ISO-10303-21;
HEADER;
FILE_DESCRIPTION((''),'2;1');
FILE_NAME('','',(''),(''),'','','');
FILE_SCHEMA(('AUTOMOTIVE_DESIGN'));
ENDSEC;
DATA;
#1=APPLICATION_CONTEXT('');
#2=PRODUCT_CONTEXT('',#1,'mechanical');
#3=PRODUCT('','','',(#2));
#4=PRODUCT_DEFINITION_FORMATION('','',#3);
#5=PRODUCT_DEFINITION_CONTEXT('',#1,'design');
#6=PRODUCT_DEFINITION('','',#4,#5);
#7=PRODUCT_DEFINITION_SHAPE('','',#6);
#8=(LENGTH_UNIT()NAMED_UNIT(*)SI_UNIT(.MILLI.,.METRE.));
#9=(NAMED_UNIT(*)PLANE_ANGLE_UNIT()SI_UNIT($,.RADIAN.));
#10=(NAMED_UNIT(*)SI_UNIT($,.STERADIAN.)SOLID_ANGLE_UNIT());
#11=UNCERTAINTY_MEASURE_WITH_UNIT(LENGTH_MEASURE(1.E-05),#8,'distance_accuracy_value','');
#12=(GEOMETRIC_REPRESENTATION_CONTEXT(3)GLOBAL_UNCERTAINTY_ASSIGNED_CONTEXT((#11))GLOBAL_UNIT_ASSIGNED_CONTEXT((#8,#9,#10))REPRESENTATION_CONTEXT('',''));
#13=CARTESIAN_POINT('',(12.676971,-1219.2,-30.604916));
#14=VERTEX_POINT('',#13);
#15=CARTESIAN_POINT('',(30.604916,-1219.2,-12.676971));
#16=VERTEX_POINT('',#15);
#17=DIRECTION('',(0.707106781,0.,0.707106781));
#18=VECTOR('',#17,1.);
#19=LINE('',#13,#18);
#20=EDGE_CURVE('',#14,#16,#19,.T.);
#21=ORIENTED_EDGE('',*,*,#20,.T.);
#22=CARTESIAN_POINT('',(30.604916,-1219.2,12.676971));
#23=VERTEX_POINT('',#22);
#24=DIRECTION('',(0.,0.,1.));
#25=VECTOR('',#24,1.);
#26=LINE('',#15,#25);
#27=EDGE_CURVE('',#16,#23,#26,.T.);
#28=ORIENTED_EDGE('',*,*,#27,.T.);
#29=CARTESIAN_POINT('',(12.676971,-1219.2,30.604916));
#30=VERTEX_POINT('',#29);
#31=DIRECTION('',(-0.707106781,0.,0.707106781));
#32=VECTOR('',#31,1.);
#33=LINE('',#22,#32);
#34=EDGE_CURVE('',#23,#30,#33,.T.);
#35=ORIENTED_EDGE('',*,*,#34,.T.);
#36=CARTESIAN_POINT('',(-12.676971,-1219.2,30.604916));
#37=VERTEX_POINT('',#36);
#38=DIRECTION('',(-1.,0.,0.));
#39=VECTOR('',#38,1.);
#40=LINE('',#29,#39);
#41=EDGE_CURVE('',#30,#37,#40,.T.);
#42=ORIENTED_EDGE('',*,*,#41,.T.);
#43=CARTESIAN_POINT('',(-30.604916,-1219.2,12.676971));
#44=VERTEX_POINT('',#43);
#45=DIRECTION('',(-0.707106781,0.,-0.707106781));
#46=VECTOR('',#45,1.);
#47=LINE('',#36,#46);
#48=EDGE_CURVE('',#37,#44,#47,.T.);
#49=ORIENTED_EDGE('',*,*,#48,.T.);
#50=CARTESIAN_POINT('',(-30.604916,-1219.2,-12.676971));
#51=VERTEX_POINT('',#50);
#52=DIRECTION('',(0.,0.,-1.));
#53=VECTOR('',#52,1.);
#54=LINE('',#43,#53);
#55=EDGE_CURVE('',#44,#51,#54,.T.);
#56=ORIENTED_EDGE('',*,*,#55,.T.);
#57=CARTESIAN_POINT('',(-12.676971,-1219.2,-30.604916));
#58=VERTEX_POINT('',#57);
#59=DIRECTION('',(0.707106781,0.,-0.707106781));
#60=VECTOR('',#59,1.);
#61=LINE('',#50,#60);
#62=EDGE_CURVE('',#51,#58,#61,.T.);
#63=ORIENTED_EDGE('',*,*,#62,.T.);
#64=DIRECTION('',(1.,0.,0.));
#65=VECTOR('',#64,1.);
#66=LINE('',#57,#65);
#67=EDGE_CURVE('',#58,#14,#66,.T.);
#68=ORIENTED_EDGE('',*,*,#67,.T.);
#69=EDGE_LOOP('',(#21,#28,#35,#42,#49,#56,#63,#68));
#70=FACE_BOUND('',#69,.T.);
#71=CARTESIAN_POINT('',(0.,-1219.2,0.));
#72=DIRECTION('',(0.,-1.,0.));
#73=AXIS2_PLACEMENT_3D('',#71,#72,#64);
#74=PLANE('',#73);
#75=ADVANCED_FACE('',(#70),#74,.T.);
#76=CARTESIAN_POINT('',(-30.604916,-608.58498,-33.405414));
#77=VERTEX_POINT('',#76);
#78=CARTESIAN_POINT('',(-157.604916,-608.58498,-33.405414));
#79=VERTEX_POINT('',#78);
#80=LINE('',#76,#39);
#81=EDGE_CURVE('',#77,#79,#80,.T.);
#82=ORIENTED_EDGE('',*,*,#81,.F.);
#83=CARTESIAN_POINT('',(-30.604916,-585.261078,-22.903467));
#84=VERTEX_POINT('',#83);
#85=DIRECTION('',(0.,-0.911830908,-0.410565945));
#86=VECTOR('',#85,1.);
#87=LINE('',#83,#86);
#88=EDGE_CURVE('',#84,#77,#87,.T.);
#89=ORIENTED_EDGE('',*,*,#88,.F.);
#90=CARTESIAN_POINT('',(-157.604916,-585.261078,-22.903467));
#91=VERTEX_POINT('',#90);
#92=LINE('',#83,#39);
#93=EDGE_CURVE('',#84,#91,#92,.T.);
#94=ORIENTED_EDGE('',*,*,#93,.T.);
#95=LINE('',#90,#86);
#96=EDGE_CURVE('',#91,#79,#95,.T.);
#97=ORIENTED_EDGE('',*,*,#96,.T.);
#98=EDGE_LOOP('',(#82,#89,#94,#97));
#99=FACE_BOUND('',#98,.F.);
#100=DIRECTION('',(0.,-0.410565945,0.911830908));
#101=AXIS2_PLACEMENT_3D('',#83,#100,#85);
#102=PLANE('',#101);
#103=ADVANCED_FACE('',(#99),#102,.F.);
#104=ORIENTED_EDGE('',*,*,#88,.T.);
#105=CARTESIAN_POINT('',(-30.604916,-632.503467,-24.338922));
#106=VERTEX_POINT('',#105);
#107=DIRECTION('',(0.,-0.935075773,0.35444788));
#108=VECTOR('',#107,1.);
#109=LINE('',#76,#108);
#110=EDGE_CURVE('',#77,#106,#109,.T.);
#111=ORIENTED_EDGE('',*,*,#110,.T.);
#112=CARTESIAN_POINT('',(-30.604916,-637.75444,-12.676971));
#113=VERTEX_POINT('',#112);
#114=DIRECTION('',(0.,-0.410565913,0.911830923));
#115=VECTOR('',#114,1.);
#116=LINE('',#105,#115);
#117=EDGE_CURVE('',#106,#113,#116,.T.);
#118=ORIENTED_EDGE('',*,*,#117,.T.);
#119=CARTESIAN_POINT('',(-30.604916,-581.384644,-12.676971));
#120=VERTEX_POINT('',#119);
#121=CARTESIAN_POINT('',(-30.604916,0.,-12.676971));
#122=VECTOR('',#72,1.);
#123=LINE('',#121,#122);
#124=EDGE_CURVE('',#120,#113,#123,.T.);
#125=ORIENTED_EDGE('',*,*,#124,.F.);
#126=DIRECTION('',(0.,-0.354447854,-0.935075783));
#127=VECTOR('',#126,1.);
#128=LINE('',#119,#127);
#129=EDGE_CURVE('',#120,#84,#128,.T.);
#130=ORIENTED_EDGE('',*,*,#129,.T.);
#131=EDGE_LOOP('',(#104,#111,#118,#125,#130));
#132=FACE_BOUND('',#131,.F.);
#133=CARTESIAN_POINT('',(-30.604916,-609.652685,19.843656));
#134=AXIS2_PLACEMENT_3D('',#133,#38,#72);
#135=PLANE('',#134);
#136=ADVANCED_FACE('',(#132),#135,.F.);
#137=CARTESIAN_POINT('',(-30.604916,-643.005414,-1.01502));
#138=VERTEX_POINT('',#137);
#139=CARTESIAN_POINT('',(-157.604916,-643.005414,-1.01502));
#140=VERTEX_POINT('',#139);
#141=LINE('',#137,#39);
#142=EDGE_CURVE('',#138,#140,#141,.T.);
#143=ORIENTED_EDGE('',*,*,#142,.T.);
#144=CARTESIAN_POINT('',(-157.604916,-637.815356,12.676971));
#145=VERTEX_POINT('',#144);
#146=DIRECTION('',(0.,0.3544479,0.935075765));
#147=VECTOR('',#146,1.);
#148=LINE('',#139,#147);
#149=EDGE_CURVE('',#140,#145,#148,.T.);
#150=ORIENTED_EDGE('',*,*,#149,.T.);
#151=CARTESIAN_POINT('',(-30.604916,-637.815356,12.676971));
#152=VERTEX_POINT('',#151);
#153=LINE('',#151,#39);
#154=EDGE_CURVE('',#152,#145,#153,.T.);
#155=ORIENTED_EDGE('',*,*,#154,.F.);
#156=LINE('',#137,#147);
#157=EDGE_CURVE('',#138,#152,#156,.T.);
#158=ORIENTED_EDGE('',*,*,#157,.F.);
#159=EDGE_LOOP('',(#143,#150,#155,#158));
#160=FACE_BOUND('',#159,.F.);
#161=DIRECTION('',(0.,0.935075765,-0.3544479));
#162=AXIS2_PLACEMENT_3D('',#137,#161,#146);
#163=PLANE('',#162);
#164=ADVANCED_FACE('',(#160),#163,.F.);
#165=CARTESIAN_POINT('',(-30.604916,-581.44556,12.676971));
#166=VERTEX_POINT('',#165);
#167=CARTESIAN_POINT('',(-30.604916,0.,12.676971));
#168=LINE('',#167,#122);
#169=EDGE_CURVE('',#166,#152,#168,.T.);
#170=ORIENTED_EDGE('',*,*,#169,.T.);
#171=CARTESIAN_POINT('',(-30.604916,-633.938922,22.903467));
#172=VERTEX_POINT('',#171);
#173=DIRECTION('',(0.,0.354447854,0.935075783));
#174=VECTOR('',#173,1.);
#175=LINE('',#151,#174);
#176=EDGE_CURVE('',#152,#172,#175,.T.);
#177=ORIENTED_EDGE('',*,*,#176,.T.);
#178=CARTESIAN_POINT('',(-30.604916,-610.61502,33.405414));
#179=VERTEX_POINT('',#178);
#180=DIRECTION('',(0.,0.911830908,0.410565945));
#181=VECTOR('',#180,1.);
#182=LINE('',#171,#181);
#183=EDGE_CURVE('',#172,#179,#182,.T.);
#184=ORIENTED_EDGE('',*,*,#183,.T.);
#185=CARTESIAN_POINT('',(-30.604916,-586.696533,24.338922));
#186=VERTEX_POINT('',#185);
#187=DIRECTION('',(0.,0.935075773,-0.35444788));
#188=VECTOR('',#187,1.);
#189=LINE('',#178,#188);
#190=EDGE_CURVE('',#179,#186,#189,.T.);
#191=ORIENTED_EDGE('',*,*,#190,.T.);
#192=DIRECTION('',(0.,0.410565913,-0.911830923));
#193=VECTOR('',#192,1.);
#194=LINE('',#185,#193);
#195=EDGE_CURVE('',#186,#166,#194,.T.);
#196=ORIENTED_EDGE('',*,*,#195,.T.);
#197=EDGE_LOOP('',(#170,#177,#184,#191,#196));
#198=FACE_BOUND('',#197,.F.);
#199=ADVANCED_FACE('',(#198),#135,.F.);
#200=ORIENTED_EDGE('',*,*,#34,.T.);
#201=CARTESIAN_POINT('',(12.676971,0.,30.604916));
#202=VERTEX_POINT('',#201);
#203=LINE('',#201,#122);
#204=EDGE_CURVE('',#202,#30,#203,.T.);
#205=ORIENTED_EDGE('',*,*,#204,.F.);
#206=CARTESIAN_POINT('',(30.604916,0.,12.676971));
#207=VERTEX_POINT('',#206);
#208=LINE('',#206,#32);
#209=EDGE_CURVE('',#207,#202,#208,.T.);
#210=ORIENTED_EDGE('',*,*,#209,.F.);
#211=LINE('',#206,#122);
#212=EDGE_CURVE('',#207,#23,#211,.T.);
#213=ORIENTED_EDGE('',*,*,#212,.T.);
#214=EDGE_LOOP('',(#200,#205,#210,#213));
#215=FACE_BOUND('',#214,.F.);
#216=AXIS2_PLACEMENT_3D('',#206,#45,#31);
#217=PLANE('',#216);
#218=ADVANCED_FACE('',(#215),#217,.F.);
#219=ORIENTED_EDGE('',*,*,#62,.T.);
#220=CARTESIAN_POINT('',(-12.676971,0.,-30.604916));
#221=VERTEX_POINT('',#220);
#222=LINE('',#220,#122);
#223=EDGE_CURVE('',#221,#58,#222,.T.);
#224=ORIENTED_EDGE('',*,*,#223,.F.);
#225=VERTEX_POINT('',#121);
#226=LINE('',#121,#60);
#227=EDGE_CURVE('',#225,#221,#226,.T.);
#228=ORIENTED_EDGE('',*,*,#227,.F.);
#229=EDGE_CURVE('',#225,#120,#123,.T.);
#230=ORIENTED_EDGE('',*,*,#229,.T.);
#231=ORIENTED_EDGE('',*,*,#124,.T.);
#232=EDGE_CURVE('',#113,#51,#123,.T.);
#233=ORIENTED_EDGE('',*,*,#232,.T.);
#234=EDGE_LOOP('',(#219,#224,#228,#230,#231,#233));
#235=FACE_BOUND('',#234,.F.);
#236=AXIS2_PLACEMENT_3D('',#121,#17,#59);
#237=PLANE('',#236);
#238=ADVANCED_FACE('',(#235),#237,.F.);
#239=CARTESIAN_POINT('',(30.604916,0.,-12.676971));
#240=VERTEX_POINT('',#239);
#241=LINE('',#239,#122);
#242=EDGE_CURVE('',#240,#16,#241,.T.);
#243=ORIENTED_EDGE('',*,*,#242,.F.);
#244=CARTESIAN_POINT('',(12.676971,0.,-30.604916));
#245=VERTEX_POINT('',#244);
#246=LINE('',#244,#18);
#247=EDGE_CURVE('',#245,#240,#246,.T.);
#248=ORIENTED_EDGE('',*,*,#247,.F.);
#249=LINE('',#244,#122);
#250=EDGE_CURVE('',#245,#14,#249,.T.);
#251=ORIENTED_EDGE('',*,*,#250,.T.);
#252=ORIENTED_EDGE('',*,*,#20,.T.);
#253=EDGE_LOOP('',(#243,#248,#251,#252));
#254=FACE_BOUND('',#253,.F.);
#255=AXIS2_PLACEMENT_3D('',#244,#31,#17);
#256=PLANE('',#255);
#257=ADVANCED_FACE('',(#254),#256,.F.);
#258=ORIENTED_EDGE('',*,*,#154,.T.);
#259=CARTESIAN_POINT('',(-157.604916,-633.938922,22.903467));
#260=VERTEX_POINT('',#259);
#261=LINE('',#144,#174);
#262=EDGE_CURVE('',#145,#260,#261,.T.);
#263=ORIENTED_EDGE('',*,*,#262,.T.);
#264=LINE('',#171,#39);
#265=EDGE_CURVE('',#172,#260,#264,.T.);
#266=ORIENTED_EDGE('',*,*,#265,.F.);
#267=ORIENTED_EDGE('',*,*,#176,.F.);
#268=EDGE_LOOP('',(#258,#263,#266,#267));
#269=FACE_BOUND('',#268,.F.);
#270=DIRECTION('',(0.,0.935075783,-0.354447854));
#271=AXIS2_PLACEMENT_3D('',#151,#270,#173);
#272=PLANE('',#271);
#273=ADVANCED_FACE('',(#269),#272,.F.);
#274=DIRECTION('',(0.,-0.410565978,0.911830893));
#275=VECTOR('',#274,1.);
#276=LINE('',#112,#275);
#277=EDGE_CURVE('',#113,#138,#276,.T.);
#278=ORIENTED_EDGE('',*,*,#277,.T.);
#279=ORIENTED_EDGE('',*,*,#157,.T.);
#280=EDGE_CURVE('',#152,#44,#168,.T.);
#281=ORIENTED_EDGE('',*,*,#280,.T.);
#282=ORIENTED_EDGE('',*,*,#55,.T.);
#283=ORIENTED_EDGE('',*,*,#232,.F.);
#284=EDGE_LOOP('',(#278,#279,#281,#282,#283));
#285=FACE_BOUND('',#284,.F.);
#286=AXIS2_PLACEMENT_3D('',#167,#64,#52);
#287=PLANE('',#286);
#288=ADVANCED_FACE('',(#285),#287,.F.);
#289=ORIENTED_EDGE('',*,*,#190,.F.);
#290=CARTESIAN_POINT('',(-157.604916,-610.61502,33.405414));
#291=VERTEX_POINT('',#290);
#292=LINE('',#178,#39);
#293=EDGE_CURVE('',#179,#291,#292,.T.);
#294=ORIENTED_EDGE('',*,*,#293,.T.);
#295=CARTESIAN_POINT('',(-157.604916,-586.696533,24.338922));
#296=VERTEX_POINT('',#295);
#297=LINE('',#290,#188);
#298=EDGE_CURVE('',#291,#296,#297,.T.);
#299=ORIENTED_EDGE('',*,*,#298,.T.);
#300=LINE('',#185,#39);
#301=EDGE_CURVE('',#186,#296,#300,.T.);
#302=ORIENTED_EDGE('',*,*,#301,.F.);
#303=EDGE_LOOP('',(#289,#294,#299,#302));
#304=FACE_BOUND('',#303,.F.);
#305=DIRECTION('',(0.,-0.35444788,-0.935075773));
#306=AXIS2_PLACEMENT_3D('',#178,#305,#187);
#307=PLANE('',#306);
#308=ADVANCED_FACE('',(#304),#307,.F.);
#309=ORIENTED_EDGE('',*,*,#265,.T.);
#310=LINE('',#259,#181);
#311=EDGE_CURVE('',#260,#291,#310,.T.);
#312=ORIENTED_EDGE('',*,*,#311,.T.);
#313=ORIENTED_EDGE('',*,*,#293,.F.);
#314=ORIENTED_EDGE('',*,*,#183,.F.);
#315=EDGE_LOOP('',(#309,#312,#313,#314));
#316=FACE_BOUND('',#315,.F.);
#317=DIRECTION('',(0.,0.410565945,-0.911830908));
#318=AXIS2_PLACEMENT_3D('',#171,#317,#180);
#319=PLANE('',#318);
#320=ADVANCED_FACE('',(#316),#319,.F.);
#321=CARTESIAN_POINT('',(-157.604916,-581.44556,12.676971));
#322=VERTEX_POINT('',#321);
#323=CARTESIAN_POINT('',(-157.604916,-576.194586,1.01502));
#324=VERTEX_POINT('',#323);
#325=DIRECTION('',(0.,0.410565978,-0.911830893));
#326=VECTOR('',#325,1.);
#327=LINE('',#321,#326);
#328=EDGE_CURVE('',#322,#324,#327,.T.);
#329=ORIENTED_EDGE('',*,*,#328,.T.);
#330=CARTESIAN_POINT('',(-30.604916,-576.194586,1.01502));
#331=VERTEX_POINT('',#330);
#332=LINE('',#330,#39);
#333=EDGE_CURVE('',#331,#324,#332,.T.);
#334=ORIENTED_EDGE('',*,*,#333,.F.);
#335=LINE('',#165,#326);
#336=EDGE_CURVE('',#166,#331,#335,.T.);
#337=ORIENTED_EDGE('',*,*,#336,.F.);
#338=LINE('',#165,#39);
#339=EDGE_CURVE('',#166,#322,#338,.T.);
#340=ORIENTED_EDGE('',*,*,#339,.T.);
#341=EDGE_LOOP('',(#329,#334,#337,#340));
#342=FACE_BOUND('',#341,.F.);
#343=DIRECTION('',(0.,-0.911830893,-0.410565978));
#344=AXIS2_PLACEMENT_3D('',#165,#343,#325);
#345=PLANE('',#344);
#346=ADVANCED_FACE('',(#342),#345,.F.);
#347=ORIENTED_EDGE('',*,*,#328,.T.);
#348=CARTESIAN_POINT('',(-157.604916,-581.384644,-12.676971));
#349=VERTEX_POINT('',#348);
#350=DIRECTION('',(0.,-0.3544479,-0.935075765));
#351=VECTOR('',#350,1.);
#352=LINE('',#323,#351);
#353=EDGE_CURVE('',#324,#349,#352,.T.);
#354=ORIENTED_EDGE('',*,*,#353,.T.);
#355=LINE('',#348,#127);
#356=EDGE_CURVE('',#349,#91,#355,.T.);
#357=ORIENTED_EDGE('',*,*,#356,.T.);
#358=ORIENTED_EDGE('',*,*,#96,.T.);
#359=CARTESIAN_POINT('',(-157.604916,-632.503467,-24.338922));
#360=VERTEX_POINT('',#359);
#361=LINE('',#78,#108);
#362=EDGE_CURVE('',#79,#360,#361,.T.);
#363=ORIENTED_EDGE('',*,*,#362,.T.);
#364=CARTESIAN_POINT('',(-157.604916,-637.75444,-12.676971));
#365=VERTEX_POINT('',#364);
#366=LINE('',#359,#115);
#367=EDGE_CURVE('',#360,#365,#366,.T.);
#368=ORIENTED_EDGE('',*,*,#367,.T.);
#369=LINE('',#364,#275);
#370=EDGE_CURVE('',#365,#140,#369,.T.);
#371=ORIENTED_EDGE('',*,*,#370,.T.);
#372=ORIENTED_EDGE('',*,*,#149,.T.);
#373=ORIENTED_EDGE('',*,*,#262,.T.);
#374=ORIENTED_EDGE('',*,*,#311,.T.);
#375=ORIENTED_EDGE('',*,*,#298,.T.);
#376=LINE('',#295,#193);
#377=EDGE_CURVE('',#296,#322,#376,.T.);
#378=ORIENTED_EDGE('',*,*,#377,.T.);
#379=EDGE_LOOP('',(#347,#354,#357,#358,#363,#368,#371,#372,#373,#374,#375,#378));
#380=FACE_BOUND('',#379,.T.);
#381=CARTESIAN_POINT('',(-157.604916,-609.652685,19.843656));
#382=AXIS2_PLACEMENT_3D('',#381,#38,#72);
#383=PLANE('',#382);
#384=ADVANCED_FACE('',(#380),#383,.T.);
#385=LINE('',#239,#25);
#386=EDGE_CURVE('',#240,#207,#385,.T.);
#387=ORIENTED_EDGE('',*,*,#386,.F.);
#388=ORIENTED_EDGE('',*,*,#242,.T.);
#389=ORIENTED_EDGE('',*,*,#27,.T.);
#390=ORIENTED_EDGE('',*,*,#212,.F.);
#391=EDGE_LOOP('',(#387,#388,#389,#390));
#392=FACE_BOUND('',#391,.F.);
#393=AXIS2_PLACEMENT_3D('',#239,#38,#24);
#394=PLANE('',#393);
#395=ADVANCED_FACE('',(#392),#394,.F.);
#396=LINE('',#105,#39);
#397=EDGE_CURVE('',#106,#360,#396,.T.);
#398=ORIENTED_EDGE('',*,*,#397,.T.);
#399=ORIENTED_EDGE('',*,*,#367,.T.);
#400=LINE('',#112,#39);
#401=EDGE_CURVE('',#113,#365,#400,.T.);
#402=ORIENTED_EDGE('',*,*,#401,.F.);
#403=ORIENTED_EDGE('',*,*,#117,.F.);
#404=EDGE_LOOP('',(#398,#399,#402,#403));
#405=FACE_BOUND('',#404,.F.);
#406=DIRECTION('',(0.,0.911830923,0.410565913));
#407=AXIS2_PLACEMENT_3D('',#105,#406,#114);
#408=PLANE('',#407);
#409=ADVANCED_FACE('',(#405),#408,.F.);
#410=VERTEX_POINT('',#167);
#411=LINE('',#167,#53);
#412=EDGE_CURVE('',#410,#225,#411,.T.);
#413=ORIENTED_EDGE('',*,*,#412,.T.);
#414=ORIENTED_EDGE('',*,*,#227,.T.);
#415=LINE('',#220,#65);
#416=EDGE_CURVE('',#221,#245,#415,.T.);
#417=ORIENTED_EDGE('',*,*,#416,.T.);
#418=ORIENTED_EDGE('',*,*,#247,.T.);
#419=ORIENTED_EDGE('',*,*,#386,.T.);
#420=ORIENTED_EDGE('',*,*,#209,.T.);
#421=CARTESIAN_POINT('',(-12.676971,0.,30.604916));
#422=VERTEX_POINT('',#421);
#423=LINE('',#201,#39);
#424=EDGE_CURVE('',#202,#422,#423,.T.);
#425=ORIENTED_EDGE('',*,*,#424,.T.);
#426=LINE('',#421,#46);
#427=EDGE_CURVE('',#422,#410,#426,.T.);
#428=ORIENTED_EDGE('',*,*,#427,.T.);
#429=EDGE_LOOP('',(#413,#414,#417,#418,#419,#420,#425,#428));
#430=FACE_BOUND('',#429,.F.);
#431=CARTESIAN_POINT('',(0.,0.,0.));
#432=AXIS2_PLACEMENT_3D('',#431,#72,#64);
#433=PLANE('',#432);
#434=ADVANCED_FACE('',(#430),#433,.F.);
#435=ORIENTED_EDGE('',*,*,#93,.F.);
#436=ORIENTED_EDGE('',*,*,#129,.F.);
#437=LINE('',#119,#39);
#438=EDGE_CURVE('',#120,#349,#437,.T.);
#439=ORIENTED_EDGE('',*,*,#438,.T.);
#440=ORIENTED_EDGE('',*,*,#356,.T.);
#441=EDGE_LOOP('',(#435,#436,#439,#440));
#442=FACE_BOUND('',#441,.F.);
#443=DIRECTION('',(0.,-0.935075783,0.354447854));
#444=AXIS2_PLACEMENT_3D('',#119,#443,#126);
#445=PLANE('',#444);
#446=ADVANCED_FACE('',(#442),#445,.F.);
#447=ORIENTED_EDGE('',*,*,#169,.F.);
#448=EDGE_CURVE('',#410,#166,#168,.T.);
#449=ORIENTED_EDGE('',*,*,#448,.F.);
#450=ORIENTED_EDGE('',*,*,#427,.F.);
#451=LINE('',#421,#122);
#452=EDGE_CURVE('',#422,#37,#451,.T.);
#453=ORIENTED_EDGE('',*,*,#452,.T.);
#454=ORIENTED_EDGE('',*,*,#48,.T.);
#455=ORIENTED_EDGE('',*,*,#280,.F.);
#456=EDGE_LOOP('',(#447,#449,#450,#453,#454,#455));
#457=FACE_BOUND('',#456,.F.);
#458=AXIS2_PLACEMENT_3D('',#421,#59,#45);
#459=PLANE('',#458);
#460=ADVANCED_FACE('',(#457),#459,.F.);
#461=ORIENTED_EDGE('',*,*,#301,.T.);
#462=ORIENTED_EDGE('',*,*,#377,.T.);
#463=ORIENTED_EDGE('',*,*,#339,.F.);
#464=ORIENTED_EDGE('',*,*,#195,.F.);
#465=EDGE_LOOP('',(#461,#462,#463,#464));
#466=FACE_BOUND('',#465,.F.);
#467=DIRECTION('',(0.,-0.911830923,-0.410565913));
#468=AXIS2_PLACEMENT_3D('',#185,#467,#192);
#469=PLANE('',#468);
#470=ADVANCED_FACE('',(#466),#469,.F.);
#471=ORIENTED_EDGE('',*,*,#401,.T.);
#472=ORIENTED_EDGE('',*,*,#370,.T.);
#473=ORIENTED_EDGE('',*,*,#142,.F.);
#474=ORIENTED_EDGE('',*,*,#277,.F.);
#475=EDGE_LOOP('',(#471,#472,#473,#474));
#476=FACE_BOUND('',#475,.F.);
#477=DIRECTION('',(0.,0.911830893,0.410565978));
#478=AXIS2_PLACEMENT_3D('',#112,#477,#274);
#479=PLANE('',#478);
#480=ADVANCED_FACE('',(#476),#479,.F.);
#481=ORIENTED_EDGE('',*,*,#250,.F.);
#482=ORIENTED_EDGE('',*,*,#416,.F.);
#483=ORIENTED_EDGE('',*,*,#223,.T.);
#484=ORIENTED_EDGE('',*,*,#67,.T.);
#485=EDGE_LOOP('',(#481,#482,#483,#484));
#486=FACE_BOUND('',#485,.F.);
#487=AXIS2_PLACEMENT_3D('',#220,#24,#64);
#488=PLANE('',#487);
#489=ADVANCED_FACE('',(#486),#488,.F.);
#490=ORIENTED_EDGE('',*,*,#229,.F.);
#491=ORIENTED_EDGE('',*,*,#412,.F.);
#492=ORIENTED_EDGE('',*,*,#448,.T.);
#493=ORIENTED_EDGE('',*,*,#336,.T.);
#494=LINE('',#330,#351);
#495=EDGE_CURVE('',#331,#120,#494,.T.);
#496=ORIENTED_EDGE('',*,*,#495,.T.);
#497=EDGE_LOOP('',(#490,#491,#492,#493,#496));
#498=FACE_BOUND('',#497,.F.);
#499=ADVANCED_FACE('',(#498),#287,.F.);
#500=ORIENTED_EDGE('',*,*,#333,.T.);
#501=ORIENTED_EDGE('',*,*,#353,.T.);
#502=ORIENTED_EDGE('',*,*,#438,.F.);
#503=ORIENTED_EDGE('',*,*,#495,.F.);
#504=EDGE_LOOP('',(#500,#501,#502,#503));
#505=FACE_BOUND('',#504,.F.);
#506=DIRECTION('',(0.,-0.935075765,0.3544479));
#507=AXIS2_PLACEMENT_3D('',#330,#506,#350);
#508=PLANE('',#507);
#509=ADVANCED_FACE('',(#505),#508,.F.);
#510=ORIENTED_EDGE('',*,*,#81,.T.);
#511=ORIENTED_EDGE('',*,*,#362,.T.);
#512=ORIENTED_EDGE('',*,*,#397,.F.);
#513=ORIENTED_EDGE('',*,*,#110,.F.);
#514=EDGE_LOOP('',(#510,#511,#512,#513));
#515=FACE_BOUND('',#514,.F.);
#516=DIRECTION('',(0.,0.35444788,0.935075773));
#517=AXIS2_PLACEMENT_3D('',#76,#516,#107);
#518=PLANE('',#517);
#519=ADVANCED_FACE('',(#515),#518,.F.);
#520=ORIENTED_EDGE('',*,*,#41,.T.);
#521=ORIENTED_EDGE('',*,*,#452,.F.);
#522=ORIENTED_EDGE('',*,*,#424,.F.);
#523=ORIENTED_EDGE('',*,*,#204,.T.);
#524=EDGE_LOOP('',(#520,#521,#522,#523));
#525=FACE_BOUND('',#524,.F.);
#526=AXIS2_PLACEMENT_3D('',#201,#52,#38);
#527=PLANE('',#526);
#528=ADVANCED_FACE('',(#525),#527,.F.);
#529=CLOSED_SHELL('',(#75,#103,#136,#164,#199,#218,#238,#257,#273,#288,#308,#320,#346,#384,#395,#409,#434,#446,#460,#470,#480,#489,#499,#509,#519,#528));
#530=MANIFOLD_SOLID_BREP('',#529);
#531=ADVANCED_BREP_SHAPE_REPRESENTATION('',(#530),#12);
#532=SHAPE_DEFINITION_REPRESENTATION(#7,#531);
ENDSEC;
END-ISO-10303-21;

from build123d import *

# Parameters (mm, degrees)
F1_DEPTH = 1219.2
F3_DEPTH = 127


with BuildPart() as f1:
    # F0 (on Front) → F1 (new body)
    with BuildSketch(Plane.XZ):
        Polygon((30.604916, -12.676971), (30.604916, 12.676971), (12.676971, 30.604916), (-12.676971, 30.604916), (-30.604916, 12.676971), (-30.604916, -12.676971), (-12.676971, -30.604916), (12.676971, -30.604916), align=None)
    extrude(amount=F1_DEPTH)

    # F2 (on face) → F3 (join)
    with BuildSketch(Plane(origin=(-30.604916, 0, 0), x_dir=(0, -1, 0), z_dir=(-1, 0, 0))):
        Polygon((581.44556, 12.676971), (637.815356, 12.676971), (633.938922, 22.903467), (610.61502, 33.405414), (586.696533, 24.338922), align=None)
        Polygon((637.75444, -12.676971), (643.005414, -1.01502), (637.815356, 12.676971), (581.44556, 12.676971), (576.194586, 1.01502), (581.384644, -12.676971), align=None)
        Polygon((632.503467, -24.338922), (637.75444, -12.676971), (581.384644, -12.676971), (585.261078, -22.903467), (608.58498, -33.405414), align=None)
    extrude(amount=F3_DEPTH)


solid = f1.part
